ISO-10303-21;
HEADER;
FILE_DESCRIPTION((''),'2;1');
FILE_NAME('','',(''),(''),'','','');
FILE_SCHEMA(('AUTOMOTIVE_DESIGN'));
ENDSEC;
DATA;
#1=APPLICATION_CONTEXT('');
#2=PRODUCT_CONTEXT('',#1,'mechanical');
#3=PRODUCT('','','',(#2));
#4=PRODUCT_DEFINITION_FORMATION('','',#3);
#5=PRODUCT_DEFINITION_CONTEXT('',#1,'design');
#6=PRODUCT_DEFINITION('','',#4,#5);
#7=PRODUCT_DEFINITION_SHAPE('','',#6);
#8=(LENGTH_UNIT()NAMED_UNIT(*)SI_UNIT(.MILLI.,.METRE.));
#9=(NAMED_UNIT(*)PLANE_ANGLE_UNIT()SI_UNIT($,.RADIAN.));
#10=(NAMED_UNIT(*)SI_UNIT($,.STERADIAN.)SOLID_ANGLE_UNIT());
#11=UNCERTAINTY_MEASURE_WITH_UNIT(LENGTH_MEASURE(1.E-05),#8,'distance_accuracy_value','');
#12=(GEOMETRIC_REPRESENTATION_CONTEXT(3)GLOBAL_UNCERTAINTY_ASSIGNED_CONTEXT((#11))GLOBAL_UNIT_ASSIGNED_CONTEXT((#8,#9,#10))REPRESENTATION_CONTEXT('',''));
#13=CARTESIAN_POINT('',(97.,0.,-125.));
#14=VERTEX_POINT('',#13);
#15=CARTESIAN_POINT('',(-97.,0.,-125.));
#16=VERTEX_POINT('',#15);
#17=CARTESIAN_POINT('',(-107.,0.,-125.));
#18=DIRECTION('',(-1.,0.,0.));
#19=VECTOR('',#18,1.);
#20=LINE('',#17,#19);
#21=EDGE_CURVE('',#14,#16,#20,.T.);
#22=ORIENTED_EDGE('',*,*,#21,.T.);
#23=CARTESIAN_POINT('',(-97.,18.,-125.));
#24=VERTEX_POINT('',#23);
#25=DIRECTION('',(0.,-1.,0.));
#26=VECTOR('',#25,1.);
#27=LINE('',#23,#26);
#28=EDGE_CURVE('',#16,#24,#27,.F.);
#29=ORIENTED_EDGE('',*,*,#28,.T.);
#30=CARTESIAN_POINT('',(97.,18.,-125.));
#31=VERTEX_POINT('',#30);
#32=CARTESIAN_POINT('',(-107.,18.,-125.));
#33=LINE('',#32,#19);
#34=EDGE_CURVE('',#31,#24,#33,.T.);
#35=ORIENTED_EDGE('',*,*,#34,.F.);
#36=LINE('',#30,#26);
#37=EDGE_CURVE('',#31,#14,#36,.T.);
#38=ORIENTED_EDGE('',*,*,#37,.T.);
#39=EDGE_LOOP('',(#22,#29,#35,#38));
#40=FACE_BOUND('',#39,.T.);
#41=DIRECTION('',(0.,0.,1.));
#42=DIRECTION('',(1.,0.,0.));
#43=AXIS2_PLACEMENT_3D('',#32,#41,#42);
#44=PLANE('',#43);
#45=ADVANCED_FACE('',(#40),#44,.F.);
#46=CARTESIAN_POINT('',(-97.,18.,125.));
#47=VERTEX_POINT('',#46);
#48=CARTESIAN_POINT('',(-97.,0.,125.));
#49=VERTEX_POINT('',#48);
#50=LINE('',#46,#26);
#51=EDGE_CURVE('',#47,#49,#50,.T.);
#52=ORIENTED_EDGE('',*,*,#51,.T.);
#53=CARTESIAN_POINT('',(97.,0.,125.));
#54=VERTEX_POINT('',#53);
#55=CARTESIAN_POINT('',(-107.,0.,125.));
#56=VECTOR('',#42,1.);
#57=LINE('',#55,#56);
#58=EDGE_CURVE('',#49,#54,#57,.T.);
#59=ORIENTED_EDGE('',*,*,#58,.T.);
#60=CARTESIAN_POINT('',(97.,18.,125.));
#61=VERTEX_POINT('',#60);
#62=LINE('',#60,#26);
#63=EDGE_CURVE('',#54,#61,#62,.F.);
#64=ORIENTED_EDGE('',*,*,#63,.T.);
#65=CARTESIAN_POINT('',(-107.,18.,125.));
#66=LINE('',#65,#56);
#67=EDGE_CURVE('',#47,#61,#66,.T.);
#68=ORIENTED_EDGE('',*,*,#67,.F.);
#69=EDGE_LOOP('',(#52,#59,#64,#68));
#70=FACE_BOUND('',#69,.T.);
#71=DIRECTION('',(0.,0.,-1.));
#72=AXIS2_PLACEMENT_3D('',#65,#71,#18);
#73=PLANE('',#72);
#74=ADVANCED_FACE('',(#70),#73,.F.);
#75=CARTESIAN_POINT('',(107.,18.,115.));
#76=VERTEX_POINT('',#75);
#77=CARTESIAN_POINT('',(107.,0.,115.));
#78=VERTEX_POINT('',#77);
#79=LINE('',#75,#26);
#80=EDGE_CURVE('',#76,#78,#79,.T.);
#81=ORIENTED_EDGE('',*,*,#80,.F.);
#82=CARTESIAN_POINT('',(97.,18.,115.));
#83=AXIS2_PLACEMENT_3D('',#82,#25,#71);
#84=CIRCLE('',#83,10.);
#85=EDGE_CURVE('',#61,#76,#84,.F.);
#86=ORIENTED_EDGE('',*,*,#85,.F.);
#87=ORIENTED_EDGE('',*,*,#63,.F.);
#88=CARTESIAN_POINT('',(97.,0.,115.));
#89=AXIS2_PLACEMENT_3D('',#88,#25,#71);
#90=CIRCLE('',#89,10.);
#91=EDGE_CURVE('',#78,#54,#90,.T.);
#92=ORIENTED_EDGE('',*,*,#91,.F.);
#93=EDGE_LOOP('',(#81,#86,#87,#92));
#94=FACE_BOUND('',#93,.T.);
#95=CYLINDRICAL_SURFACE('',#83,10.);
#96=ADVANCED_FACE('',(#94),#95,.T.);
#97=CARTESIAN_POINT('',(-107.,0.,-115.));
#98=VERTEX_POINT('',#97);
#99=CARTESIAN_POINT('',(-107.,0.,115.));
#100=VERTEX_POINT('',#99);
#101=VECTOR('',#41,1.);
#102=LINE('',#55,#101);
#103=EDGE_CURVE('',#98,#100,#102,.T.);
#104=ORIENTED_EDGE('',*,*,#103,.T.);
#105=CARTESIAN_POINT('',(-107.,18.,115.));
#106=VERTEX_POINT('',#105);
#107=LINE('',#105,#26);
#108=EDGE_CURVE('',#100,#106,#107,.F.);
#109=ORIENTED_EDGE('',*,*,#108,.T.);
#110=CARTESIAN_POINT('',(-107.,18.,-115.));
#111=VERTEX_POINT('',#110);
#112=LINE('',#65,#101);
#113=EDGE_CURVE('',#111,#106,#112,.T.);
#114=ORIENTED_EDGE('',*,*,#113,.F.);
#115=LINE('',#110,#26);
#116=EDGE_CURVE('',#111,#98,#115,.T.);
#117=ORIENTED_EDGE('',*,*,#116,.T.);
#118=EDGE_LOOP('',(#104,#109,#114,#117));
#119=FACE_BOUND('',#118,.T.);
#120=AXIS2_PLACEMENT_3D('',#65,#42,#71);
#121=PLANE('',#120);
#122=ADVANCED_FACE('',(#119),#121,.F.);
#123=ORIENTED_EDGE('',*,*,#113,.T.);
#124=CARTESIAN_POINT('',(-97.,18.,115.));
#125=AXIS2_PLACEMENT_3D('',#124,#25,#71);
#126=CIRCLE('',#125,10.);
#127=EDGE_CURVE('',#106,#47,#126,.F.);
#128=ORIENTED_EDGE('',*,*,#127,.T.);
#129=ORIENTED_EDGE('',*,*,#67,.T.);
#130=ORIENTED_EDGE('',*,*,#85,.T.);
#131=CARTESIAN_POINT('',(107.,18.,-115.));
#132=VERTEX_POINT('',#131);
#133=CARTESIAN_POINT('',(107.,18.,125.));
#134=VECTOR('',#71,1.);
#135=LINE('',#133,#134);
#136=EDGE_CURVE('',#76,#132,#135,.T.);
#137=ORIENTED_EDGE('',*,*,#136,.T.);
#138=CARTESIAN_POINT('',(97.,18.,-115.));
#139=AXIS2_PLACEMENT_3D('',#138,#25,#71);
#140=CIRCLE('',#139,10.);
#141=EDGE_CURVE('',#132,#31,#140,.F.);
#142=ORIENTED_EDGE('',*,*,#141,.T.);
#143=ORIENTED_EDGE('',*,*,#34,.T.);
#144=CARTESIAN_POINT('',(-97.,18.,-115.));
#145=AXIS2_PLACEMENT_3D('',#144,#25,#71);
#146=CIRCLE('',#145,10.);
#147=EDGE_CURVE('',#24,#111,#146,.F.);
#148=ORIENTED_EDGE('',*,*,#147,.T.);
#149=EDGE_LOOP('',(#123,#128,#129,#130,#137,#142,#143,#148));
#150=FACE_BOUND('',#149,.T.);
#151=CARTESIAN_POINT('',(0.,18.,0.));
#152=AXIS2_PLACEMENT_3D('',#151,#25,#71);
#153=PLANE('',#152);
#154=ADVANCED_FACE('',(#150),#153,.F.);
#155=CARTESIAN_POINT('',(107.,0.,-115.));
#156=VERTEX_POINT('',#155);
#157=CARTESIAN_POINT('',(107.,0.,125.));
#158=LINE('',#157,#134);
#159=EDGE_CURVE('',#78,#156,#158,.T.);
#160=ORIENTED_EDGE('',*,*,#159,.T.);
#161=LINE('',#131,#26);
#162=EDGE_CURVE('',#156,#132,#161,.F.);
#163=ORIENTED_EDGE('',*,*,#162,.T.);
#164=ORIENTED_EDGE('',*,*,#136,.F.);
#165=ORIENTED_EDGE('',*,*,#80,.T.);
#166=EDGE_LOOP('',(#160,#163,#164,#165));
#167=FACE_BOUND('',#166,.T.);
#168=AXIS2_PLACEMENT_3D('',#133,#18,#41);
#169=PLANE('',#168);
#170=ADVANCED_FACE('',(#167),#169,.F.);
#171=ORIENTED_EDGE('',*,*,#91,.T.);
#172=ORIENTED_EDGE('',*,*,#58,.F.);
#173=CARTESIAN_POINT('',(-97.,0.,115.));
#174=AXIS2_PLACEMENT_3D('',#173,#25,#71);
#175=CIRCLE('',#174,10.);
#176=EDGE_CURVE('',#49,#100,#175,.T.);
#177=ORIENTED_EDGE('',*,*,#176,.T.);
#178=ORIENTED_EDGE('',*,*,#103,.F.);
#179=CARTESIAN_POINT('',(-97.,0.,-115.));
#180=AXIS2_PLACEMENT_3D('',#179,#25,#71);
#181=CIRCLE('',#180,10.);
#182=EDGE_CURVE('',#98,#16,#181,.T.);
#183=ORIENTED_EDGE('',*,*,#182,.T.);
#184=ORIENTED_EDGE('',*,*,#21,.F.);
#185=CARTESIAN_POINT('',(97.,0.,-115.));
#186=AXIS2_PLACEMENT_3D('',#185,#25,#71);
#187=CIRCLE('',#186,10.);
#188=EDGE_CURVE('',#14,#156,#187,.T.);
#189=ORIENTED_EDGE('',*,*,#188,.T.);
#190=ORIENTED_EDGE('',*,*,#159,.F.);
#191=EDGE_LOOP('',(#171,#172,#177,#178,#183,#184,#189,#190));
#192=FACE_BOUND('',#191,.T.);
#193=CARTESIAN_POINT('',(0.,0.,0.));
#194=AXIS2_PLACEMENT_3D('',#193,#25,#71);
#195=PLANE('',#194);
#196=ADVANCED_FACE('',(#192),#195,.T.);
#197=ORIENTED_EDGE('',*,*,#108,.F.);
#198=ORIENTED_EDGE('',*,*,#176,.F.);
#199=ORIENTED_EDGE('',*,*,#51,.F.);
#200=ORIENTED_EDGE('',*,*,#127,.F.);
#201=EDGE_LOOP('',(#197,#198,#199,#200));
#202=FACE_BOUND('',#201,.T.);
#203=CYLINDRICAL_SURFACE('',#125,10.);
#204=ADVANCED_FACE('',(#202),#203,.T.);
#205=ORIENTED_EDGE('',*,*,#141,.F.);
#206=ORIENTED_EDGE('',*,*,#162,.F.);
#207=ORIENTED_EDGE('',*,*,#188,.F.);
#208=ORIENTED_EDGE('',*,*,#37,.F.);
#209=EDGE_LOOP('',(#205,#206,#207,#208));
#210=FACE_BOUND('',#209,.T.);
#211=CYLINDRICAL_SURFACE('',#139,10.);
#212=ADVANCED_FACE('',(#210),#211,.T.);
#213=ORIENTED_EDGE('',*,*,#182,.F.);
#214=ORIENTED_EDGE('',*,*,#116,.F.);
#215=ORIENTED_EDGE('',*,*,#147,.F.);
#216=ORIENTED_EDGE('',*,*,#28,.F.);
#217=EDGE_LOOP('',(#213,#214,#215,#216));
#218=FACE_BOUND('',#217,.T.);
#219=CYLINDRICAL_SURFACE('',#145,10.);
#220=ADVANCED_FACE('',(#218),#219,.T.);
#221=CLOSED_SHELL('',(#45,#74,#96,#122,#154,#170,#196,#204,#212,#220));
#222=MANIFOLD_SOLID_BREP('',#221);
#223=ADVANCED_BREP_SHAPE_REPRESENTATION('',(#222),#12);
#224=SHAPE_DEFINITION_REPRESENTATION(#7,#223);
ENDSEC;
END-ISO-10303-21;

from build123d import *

# Parameters (mm, degrees)
SKETCH_1_W      = 214
SKETCH_1_H      = 250
EXTRUDE_1_DEPTH = 18
FILLET_1_R      = 10


with BuildPart() as part:
    # 草图1 → 凸台-拉伸1 (new body)
    with BuildSketch(Plane(origin=(0, 0, 0), x_dir=(1, 0, 0), z_dir=(0, 1, 0))):
        Rectangle(SKETCH_1_W, SKETCH_1_H)
    extrude(amount=EXTRUDE_1_DEPTH)

    # 圆角1
    fillet_1_edges = [part.edges().sort_by_distance(p)[0] for p in [
        (-107, 9, -125),
        (107, 9, -125),
        (107, 9, 125),
        (-107, 9, 125),
    ]]
    fillet(fillet_1_edges, radius=FILLET_1_R)


solid = part.part
